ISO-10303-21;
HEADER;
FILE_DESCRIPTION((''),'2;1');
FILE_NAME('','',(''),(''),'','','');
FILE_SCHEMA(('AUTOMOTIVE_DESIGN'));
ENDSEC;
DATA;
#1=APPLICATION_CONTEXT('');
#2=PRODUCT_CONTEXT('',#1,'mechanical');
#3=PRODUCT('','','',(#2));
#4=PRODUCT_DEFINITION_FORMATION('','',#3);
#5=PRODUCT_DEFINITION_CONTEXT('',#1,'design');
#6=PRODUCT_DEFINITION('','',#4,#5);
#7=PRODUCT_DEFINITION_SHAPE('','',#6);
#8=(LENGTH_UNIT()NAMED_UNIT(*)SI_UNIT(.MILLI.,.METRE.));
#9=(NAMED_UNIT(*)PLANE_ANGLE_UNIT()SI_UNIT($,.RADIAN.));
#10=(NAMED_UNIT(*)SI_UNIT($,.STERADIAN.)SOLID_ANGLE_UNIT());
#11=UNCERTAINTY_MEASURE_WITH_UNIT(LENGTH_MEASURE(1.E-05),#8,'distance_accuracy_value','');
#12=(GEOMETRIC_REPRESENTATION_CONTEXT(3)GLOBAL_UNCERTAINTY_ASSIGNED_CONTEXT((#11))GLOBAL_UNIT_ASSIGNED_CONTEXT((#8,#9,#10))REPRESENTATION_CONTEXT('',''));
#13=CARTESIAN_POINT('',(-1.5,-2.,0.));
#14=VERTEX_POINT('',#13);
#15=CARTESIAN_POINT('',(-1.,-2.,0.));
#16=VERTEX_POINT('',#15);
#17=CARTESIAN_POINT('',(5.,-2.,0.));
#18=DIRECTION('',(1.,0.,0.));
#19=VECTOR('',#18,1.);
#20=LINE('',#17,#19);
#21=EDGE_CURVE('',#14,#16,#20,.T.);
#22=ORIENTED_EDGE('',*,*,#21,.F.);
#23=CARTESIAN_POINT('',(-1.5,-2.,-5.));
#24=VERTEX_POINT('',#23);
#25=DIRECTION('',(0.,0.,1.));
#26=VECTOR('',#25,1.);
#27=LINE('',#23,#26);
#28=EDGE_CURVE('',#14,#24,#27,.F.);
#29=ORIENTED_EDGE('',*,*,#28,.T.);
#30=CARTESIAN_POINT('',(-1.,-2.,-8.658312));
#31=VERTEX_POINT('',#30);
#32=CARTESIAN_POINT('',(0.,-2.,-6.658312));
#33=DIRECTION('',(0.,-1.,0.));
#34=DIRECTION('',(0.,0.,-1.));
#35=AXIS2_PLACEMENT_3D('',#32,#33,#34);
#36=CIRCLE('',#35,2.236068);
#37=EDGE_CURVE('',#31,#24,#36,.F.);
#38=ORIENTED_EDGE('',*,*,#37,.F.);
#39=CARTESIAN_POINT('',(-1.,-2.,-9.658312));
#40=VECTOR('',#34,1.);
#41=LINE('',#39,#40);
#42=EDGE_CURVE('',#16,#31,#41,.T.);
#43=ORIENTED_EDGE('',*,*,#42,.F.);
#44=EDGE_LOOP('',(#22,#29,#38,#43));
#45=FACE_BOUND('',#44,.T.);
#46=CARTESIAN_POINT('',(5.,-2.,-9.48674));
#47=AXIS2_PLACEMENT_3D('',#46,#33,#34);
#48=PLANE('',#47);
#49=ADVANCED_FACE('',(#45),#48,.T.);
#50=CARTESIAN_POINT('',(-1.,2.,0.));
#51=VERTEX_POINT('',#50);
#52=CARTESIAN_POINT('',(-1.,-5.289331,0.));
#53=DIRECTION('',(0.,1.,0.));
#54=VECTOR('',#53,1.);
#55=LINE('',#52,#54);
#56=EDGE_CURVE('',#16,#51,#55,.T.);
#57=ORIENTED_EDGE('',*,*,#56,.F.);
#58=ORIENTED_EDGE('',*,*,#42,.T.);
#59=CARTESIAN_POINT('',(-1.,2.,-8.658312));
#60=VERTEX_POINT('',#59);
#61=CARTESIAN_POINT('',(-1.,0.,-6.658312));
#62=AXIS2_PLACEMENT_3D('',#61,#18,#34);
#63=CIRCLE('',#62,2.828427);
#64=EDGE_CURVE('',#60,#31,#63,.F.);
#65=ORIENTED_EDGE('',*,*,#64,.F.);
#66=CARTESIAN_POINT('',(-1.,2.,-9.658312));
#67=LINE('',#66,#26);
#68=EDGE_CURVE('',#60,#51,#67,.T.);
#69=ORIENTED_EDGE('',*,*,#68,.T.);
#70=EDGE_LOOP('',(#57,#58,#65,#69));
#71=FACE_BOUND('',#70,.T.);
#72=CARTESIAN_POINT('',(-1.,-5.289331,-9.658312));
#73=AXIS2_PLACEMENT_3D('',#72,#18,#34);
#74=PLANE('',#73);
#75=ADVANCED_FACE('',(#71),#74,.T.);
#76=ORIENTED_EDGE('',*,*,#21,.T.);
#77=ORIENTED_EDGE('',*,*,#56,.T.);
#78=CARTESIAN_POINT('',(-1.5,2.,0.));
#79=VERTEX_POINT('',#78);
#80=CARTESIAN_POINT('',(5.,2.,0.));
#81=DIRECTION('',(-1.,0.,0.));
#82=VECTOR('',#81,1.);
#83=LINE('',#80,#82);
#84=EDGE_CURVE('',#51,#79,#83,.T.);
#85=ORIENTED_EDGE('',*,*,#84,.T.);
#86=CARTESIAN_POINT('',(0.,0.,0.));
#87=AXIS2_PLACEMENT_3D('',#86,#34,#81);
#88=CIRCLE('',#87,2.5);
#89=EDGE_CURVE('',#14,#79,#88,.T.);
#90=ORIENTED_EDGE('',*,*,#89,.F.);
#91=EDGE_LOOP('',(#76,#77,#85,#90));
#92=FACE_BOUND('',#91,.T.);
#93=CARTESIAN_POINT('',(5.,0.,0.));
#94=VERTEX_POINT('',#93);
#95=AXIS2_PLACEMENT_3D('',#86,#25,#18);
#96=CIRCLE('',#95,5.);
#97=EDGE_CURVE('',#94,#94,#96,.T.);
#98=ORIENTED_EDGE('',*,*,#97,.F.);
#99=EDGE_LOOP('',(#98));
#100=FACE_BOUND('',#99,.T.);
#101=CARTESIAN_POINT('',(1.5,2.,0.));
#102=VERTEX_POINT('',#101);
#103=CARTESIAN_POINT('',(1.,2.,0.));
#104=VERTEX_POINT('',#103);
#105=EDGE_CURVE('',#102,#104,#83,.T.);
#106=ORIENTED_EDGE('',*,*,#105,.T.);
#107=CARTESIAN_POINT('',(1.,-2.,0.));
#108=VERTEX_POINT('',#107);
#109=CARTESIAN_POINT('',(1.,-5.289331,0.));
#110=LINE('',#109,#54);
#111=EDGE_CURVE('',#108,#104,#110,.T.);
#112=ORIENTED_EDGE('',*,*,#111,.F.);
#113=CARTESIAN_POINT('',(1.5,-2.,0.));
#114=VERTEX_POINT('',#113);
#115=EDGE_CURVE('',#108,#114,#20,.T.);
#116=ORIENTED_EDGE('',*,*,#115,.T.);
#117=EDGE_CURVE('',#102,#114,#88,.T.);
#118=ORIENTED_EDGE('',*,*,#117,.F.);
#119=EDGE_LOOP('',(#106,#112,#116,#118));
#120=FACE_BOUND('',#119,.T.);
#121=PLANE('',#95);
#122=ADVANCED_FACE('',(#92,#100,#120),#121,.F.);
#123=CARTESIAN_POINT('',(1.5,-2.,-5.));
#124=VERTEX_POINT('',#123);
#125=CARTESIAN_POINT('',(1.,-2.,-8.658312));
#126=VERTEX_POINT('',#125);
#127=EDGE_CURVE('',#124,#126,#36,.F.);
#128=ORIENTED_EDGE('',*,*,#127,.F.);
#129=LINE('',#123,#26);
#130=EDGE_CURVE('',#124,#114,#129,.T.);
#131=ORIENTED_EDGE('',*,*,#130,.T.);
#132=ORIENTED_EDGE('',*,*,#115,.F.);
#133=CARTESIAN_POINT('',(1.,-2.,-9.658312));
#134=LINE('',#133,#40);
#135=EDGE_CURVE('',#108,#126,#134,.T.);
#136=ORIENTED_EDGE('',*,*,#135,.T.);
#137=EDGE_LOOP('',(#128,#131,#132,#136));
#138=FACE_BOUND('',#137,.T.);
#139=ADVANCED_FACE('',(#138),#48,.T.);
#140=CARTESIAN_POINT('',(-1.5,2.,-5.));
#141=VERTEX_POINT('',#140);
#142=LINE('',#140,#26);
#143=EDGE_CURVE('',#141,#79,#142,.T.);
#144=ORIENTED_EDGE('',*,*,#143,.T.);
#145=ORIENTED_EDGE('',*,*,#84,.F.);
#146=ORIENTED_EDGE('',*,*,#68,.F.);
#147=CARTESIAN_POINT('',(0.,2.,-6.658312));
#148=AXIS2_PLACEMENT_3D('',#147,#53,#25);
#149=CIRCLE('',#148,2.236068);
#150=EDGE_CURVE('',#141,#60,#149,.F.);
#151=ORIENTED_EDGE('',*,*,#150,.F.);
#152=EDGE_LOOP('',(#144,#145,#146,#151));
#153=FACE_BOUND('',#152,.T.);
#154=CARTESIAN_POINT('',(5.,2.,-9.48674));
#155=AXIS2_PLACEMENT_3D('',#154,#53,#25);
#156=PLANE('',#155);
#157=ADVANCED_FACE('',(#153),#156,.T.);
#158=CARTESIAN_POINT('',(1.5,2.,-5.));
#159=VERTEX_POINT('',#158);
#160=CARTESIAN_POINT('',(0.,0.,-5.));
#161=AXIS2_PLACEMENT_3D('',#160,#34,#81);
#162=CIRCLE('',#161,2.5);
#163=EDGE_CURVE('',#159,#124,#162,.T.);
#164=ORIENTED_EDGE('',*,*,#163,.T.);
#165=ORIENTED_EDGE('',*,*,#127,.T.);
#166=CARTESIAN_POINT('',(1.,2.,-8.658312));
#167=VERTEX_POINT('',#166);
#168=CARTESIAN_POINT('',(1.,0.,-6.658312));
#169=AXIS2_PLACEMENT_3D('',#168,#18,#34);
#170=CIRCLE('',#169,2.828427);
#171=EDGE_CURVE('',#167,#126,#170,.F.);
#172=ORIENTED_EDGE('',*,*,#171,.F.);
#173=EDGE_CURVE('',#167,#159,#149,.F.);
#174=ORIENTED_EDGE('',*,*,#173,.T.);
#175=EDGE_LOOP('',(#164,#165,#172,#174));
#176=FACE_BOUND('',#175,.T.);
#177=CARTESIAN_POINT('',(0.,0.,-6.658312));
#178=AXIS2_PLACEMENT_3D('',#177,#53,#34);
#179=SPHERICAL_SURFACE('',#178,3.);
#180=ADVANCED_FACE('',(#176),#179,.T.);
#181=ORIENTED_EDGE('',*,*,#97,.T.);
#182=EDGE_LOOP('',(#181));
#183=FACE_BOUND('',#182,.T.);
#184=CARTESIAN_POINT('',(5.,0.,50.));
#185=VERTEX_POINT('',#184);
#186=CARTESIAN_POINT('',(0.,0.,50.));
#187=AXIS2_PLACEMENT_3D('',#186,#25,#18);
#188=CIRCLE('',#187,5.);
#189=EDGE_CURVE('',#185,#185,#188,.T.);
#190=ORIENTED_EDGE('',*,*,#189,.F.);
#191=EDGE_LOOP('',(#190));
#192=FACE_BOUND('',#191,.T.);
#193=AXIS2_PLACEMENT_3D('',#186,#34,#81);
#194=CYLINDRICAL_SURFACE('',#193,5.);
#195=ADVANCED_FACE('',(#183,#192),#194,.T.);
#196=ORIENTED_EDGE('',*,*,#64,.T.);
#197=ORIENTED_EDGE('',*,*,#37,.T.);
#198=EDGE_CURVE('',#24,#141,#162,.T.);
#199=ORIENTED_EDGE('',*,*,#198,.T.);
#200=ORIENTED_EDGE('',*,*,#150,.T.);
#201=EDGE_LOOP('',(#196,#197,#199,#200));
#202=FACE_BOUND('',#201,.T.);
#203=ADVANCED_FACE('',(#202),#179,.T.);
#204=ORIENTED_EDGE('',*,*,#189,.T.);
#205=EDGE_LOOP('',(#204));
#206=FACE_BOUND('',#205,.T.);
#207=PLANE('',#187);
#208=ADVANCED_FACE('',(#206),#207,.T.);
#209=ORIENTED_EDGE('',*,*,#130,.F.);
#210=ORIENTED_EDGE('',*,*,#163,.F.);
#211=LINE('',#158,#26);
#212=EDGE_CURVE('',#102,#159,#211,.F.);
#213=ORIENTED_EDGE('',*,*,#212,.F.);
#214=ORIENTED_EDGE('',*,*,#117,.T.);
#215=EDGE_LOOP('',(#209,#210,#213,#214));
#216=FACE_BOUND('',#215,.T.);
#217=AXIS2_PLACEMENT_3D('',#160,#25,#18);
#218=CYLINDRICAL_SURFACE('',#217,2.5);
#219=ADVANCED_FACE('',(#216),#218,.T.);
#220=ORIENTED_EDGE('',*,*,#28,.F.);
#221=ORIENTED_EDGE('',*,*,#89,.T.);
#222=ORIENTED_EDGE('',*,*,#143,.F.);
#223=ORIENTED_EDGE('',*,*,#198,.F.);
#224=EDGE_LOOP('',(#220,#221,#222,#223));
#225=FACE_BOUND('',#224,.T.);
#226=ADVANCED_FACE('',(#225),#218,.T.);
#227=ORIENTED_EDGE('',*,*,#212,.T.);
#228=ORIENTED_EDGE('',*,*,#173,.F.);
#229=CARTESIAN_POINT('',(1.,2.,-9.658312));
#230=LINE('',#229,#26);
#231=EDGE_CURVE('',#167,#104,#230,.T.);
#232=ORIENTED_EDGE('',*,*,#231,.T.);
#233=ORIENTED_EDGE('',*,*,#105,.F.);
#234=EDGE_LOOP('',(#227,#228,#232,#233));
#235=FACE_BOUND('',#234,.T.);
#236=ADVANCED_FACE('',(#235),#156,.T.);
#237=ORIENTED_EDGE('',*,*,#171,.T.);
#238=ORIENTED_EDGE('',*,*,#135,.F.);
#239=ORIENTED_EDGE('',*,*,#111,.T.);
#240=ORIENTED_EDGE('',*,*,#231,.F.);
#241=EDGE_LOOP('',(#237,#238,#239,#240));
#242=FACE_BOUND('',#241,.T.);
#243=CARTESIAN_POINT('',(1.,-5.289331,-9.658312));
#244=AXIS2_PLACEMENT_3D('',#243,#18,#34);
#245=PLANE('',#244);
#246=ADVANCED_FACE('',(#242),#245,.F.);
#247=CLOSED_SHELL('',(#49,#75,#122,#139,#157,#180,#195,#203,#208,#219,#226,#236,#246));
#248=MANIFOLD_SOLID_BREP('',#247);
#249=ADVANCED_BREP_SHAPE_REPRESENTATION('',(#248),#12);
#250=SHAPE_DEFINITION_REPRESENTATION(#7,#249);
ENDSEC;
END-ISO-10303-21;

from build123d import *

# Parameters (mm, degrees)
SKETCH1_R           = 5
BOSS_EXTRUDE1_DEPTH = 50
SKETCH4_R           = 2.5
BOSS_EXTRUDE3_DEPTH = 5
SKETCH10_W          = 2
SKETCH10_H          = 10.578661844
CUT_EXTRUDE4_DEPTH  = 51.497524692
SKETCH11_W          = 10
SKETCH11_H          = 0.828427125
CUT_EXTRUDE5_DEPTH  = 51.497524692


with BuildPart() as part:
    # Sketch1 → Boss-Extrude1 (new body)
    with BuildSketch(Plane.XY):
        Circle(SKETCH1_R)
    extrude(amount=BOSS_EXTRUDE1_DEPTH)

    # Sketch4 → Boss-Extrude3 (add)
    with BuildSketch(Plane(origin=(0, 0, 0), x_dir=(-1, 0, 0), z_dir=(0, 0, -1))):
        Circle(SKETCH4_R)
    extrude(amount=BOSS_EXTRUDE3_DEPTH)

    # Sketch8 → Revolve1 (revolve)
    with BuildSketch(Plane(origin=(0, 0, 0), x_dir=(0, 0, -1), z_dir=(1, 0, 0))):
        with BuildLine():
            Line((6.658312395, 3), (6.658312395, -3))
            ThreePointArc((6.658312395, -3), (3.658312395, 0), (6.658312395, 3))
        make_face()
    revolve(axis=Axis((0, 3, -6.658312395), (0, -1, 0)))

    # Sketch10 → Cut-Extrude4 (cut, through all)
    with BuildSketch(Plane(origin=(0, 0, 0), x_dir=(-1, 0, 0), z_dir=(0, 0, -1))):
        Rectangle(SKETCH10_W, SKETCH10_H)
    extrude(amount=CUT_EXTRUDE4_DEPTH, mode=Mode.SUBTRACT)

    # Sketch11 → Cut-Extrude5 (cut, through all)
    with BuildSketch(Plane(origin=(0, 0, 0), x_dir=(-1, 0, 0), z_dir=(0, 0, -1))):
        with Locations((0, 2.414213563)):
            Rectangle(SKETCH11_W, SKETCH11_H)
        with Locations((0, -2.414213563)):
            Rectangle(SKETCH11_W, SKETCH11_H)
    extrude(amount=CUT_EXTRUDE5_DEPTH, mode=Mode.SUBTRACT)


solid = part.part
